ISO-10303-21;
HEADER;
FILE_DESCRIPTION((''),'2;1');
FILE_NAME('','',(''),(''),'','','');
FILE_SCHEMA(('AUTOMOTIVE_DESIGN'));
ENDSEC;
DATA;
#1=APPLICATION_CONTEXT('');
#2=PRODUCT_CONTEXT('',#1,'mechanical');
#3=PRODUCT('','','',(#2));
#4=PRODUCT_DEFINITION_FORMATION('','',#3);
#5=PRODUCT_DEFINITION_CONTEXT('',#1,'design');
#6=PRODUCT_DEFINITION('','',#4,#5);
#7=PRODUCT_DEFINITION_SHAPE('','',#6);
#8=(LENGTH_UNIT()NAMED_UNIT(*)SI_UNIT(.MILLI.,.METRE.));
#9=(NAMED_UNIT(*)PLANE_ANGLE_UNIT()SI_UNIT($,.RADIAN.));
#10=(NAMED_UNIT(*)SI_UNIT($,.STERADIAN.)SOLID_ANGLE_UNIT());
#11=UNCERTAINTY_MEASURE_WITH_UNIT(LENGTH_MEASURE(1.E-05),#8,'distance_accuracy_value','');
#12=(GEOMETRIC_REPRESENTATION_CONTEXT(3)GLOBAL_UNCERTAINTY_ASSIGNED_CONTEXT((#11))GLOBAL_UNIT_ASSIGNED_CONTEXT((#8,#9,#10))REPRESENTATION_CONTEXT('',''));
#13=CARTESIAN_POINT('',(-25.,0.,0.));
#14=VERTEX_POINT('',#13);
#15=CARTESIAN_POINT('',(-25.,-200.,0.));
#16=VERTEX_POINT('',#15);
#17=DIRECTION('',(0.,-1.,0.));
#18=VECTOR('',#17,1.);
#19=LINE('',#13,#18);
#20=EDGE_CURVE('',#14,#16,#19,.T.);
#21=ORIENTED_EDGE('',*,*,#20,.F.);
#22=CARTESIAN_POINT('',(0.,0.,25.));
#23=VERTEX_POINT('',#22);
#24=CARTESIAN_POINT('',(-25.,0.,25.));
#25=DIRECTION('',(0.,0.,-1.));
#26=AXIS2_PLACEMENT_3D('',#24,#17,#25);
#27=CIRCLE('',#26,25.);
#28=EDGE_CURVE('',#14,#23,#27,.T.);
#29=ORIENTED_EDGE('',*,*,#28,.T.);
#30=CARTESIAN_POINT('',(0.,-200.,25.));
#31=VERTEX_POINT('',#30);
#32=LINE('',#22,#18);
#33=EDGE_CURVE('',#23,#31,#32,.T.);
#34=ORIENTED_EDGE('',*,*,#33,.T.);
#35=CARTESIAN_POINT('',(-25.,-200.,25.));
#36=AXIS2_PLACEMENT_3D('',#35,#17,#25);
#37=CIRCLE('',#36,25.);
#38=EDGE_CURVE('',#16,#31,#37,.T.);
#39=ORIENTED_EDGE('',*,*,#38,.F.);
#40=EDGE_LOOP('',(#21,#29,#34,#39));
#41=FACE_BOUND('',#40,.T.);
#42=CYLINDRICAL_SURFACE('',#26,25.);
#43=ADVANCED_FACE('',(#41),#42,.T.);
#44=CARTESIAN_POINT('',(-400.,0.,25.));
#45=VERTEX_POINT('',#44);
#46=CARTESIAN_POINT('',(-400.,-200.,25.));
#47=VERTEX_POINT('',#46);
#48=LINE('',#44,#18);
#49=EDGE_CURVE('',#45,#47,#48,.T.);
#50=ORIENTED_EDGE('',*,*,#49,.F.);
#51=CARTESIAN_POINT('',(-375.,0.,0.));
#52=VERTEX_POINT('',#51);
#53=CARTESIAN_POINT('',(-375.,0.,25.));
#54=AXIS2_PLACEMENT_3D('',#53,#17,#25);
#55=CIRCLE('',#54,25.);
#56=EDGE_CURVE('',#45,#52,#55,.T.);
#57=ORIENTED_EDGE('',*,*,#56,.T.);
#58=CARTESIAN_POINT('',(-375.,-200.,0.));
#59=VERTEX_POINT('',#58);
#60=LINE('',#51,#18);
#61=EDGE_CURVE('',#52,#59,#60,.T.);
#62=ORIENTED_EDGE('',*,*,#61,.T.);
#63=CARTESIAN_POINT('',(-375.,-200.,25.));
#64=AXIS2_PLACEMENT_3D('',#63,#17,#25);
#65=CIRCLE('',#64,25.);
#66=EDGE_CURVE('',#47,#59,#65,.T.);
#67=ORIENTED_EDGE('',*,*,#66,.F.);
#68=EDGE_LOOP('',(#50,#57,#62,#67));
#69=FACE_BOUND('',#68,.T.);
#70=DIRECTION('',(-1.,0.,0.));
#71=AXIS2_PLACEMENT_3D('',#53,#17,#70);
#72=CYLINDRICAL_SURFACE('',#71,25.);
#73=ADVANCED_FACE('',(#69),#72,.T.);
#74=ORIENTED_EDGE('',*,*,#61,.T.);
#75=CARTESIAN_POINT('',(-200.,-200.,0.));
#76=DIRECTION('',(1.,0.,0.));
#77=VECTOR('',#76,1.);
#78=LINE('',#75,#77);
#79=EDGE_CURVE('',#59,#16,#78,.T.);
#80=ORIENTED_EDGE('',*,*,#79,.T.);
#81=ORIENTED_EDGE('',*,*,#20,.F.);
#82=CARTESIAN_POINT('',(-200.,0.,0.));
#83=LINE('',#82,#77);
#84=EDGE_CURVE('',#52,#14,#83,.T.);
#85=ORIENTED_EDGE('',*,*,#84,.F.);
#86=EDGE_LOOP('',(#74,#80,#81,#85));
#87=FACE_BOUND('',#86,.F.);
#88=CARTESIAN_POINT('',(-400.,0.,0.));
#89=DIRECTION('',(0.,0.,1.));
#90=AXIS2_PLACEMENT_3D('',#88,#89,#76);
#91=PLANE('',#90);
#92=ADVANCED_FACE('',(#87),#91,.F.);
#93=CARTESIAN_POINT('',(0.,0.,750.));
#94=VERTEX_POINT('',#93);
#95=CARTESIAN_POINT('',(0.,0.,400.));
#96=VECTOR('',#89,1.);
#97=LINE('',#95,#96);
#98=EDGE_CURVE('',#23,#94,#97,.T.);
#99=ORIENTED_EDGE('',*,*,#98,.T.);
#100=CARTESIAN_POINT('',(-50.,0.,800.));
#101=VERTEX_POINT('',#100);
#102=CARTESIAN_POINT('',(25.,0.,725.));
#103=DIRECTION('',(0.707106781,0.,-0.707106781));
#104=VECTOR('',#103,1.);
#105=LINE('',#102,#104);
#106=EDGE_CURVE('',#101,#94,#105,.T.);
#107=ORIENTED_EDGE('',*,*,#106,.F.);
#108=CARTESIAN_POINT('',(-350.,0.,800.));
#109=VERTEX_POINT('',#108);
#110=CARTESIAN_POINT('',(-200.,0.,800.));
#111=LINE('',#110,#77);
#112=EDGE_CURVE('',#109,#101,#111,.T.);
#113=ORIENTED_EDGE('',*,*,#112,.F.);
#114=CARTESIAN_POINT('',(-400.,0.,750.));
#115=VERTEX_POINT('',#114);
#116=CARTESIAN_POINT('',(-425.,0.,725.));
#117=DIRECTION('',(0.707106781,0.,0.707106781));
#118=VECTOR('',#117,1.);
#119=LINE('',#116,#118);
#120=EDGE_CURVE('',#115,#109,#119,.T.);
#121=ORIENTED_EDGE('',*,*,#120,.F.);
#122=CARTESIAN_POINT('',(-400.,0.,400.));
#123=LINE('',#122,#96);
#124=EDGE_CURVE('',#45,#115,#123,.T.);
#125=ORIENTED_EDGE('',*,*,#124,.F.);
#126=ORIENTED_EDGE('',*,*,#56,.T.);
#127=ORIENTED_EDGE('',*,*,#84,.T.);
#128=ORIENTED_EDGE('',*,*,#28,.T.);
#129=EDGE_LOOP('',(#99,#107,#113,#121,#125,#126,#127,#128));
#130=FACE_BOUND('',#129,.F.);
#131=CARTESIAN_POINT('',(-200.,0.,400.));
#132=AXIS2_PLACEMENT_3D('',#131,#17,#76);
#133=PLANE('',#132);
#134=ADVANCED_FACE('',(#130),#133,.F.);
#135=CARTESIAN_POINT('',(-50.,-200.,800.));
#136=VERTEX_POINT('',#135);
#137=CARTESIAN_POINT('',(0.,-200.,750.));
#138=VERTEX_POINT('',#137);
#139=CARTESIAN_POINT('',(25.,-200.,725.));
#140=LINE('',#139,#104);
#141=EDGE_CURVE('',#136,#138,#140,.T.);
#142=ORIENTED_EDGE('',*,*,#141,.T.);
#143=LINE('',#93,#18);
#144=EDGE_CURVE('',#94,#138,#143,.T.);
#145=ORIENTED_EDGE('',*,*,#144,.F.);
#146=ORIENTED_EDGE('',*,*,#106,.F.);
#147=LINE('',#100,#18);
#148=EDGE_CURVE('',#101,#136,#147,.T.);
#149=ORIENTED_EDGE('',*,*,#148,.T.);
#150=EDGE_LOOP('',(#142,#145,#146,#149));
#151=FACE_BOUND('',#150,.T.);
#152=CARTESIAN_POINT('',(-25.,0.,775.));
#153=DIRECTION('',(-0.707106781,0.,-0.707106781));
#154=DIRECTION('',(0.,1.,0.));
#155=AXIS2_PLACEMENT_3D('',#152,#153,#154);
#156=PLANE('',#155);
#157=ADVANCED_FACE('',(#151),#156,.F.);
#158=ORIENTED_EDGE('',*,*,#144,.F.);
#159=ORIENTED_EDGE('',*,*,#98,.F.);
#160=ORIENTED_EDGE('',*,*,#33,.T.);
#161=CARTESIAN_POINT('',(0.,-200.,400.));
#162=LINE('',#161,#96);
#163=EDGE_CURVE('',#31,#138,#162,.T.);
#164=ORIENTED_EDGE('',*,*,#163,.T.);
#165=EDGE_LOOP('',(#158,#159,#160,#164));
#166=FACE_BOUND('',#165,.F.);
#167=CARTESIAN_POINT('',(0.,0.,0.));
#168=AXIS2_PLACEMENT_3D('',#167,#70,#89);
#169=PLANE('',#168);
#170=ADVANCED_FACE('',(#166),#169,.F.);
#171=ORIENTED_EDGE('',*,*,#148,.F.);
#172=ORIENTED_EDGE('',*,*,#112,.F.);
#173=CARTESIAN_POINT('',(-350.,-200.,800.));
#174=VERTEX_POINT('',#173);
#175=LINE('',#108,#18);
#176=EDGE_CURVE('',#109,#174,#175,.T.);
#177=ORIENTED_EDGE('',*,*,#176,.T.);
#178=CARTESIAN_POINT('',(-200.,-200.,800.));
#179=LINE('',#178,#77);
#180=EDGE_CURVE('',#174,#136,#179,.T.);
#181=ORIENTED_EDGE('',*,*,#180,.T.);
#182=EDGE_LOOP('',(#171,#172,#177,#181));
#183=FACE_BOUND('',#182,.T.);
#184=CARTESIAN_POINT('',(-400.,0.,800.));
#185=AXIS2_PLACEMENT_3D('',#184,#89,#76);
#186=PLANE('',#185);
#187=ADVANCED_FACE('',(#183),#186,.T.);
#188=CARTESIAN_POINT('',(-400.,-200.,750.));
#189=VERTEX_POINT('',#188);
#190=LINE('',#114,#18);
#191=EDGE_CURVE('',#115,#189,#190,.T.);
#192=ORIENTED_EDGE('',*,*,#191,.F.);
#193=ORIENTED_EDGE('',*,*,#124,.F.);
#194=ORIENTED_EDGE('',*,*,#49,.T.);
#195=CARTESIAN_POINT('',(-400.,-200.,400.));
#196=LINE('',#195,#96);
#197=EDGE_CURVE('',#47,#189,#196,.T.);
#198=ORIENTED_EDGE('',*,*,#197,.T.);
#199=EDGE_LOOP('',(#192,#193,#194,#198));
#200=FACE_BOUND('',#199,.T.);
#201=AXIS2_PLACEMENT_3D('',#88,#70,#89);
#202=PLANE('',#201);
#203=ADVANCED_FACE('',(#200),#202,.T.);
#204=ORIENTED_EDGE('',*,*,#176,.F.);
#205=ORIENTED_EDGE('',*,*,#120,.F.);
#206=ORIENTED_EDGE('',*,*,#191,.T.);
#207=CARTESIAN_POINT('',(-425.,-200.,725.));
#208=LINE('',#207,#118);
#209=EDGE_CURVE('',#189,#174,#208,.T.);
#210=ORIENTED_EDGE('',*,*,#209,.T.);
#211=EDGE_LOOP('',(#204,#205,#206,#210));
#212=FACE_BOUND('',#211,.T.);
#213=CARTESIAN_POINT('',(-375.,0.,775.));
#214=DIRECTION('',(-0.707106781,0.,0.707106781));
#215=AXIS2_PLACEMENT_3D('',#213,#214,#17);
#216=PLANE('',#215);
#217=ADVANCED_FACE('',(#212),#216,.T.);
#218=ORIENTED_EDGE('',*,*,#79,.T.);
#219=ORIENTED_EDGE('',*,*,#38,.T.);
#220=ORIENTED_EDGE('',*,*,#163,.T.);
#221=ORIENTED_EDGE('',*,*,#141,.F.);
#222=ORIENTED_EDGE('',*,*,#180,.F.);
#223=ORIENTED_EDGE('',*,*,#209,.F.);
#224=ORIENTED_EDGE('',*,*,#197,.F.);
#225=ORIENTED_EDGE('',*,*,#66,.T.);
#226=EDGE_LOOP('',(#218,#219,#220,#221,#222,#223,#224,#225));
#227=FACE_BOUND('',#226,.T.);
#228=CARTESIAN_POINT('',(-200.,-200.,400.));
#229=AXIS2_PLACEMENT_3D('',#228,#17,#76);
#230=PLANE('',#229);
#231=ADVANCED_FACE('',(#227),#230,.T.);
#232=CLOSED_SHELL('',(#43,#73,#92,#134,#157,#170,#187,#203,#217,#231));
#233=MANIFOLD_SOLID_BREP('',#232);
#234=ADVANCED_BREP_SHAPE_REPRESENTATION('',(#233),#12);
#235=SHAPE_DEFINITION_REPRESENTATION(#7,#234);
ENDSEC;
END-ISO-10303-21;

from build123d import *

# Parameters (mm, degrees)
F0_W     = 400
F0_H     = 800
F1_DEPTH = 200
F2_R     = 25
F3_SIZE  = 50
F4_SIZE  = 50


with BuildPart() as f1:
    # F0 (on Front) → F1 (new body)
    with BuildSketch(Plane.XZ):
        with Locations((-200, 400)):
            Rectangle(F0_W, F0_H)
    extrude(amount=F1_DEPTH)

    # F2
    f2_edges = [f1.edges().sort_by_distance(p)[0] for p in [
        (0, -100, 0),
        (-400, -100, 0),
    ]]
    fillet(f2_edges, radius=F2_R)

    # F3
    f3_edges = [f1.edges().sort_by_distance(p)[0] for p in [
        (-400, -100, 800),
    ]]
    chamfer(f3_edges, length=F3_SIZE)

    # F4
    f4_edges = [f1.edges().sort_by_distance(p)[0] for p in [
        (0, -100, 800),
    ]]
    chamfer(f4_edges, length=F4_SIZE)


solid = f1.part
